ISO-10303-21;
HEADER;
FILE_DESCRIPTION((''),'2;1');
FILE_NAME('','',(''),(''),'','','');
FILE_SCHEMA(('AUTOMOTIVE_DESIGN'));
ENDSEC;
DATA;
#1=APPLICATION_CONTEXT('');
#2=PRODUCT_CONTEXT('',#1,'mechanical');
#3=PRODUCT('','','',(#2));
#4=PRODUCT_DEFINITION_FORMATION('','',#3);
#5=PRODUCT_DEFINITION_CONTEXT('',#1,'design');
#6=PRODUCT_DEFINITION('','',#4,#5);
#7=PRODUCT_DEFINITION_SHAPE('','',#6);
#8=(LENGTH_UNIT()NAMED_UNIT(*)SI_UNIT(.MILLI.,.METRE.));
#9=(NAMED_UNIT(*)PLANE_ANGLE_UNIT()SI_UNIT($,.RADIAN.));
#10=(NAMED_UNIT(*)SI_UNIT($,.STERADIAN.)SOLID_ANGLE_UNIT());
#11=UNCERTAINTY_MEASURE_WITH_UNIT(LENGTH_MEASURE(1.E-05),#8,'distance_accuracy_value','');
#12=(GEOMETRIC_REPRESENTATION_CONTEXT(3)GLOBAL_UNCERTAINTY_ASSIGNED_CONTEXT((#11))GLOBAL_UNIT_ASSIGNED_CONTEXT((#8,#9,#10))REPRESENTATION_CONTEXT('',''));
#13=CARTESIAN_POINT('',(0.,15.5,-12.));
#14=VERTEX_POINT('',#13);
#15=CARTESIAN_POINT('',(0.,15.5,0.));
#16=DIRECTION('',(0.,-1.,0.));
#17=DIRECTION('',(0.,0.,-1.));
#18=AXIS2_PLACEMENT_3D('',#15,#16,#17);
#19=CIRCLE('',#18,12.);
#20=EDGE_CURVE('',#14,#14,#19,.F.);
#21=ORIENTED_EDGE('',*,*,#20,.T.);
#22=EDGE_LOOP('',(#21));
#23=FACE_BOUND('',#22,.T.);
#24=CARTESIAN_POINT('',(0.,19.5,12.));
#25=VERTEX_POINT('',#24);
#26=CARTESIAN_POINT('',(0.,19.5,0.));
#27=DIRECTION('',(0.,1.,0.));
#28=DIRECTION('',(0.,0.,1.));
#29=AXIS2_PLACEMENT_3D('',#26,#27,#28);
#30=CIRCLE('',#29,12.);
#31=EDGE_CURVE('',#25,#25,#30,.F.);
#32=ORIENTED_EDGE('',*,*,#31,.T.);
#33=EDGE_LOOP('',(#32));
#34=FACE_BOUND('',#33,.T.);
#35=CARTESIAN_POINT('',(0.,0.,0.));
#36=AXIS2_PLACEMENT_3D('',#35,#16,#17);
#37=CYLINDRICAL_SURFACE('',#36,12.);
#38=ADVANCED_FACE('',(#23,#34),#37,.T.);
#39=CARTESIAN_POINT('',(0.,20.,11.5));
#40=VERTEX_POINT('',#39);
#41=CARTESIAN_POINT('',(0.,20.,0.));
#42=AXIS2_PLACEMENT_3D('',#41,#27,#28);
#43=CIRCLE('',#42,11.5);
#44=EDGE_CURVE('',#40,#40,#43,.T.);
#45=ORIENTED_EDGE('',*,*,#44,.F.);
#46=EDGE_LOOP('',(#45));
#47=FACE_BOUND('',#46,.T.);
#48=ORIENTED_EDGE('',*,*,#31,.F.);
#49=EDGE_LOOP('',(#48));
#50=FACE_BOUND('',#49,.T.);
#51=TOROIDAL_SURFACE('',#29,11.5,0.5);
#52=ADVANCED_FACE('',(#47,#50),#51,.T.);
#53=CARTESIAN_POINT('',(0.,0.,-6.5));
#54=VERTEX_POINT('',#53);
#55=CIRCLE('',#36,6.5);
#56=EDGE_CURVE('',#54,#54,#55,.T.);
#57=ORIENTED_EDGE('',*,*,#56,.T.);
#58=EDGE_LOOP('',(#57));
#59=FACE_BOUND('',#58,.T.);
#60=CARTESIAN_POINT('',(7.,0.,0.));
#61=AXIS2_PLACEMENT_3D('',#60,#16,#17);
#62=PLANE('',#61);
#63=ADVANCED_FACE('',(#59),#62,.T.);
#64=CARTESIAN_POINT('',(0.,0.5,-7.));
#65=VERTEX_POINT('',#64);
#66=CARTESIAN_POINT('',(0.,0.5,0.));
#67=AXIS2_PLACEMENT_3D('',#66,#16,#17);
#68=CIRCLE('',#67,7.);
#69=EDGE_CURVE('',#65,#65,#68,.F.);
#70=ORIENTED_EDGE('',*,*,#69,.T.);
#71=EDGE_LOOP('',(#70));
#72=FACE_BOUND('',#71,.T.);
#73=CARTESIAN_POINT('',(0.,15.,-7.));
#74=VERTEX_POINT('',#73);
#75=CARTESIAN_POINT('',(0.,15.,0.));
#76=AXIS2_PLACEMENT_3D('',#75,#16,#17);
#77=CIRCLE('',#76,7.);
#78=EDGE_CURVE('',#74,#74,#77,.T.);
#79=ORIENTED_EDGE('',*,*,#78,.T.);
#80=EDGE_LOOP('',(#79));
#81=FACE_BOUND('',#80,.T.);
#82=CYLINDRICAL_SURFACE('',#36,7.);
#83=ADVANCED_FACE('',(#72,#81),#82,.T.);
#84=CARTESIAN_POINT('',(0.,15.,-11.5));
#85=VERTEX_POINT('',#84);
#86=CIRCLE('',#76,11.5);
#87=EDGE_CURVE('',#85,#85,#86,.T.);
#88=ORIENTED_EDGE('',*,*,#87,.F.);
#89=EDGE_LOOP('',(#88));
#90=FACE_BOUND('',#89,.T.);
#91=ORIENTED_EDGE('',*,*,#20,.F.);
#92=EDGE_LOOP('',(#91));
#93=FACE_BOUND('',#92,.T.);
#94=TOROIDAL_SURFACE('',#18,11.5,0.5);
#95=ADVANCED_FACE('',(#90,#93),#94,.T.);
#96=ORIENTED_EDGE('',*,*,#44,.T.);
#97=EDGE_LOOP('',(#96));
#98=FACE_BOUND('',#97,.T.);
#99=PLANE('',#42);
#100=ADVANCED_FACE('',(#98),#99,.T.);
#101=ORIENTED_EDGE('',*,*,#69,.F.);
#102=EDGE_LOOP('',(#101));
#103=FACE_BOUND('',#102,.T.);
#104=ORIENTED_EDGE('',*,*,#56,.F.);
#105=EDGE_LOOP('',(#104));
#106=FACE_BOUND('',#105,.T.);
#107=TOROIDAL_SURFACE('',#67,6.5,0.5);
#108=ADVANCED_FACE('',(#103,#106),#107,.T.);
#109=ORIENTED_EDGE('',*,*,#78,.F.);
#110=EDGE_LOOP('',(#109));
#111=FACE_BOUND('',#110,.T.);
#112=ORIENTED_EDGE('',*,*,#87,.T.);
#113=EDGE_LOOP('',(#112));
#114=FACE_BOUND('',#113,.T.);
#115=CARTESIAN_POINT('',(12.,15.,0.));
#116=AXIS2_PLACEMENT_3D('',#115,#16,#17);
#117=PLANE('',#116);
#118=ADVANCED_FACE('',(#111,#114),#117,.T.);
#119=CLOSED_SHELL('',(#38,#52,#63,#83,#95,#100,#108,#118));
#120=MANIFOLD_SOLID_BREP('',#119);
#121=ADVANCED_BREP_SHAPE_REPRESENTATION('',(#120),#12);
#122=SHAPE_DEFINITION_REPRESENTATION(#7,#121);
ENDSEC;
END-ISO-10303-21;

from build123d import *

# Parameters (mm, degrees)
FILETE1_R = 0.5


with BuildPart() as part:
    # Esboço1 → Revolução1 (revolve)
    with BuildSketch(Plane.XY, mode=Mode.PRIVATE) as revolu_o1_sk:
        Polygon((0, 0), (0, 20), (12, 20), (12, 15), (7, 15), (7, 0), align=None)
    revolve(revolu_o1_sk.sketch.rotate(Axis((0, 0, 0), (0, 1, 0)), 90), axis=Axis((0, 0, 0), (0, 1, 0)))  # turned: the seam where the file's is

    # Filete1
    filete1_edges = [part.edges().sort_by_distance(p)[0] for p in [
        (0, 0, 7),
        (0, 15, 12),
        (0, 20, 12),
    ]]
    fillet(filete1_edges, radius=FILETE1_R)


solid = part.part
